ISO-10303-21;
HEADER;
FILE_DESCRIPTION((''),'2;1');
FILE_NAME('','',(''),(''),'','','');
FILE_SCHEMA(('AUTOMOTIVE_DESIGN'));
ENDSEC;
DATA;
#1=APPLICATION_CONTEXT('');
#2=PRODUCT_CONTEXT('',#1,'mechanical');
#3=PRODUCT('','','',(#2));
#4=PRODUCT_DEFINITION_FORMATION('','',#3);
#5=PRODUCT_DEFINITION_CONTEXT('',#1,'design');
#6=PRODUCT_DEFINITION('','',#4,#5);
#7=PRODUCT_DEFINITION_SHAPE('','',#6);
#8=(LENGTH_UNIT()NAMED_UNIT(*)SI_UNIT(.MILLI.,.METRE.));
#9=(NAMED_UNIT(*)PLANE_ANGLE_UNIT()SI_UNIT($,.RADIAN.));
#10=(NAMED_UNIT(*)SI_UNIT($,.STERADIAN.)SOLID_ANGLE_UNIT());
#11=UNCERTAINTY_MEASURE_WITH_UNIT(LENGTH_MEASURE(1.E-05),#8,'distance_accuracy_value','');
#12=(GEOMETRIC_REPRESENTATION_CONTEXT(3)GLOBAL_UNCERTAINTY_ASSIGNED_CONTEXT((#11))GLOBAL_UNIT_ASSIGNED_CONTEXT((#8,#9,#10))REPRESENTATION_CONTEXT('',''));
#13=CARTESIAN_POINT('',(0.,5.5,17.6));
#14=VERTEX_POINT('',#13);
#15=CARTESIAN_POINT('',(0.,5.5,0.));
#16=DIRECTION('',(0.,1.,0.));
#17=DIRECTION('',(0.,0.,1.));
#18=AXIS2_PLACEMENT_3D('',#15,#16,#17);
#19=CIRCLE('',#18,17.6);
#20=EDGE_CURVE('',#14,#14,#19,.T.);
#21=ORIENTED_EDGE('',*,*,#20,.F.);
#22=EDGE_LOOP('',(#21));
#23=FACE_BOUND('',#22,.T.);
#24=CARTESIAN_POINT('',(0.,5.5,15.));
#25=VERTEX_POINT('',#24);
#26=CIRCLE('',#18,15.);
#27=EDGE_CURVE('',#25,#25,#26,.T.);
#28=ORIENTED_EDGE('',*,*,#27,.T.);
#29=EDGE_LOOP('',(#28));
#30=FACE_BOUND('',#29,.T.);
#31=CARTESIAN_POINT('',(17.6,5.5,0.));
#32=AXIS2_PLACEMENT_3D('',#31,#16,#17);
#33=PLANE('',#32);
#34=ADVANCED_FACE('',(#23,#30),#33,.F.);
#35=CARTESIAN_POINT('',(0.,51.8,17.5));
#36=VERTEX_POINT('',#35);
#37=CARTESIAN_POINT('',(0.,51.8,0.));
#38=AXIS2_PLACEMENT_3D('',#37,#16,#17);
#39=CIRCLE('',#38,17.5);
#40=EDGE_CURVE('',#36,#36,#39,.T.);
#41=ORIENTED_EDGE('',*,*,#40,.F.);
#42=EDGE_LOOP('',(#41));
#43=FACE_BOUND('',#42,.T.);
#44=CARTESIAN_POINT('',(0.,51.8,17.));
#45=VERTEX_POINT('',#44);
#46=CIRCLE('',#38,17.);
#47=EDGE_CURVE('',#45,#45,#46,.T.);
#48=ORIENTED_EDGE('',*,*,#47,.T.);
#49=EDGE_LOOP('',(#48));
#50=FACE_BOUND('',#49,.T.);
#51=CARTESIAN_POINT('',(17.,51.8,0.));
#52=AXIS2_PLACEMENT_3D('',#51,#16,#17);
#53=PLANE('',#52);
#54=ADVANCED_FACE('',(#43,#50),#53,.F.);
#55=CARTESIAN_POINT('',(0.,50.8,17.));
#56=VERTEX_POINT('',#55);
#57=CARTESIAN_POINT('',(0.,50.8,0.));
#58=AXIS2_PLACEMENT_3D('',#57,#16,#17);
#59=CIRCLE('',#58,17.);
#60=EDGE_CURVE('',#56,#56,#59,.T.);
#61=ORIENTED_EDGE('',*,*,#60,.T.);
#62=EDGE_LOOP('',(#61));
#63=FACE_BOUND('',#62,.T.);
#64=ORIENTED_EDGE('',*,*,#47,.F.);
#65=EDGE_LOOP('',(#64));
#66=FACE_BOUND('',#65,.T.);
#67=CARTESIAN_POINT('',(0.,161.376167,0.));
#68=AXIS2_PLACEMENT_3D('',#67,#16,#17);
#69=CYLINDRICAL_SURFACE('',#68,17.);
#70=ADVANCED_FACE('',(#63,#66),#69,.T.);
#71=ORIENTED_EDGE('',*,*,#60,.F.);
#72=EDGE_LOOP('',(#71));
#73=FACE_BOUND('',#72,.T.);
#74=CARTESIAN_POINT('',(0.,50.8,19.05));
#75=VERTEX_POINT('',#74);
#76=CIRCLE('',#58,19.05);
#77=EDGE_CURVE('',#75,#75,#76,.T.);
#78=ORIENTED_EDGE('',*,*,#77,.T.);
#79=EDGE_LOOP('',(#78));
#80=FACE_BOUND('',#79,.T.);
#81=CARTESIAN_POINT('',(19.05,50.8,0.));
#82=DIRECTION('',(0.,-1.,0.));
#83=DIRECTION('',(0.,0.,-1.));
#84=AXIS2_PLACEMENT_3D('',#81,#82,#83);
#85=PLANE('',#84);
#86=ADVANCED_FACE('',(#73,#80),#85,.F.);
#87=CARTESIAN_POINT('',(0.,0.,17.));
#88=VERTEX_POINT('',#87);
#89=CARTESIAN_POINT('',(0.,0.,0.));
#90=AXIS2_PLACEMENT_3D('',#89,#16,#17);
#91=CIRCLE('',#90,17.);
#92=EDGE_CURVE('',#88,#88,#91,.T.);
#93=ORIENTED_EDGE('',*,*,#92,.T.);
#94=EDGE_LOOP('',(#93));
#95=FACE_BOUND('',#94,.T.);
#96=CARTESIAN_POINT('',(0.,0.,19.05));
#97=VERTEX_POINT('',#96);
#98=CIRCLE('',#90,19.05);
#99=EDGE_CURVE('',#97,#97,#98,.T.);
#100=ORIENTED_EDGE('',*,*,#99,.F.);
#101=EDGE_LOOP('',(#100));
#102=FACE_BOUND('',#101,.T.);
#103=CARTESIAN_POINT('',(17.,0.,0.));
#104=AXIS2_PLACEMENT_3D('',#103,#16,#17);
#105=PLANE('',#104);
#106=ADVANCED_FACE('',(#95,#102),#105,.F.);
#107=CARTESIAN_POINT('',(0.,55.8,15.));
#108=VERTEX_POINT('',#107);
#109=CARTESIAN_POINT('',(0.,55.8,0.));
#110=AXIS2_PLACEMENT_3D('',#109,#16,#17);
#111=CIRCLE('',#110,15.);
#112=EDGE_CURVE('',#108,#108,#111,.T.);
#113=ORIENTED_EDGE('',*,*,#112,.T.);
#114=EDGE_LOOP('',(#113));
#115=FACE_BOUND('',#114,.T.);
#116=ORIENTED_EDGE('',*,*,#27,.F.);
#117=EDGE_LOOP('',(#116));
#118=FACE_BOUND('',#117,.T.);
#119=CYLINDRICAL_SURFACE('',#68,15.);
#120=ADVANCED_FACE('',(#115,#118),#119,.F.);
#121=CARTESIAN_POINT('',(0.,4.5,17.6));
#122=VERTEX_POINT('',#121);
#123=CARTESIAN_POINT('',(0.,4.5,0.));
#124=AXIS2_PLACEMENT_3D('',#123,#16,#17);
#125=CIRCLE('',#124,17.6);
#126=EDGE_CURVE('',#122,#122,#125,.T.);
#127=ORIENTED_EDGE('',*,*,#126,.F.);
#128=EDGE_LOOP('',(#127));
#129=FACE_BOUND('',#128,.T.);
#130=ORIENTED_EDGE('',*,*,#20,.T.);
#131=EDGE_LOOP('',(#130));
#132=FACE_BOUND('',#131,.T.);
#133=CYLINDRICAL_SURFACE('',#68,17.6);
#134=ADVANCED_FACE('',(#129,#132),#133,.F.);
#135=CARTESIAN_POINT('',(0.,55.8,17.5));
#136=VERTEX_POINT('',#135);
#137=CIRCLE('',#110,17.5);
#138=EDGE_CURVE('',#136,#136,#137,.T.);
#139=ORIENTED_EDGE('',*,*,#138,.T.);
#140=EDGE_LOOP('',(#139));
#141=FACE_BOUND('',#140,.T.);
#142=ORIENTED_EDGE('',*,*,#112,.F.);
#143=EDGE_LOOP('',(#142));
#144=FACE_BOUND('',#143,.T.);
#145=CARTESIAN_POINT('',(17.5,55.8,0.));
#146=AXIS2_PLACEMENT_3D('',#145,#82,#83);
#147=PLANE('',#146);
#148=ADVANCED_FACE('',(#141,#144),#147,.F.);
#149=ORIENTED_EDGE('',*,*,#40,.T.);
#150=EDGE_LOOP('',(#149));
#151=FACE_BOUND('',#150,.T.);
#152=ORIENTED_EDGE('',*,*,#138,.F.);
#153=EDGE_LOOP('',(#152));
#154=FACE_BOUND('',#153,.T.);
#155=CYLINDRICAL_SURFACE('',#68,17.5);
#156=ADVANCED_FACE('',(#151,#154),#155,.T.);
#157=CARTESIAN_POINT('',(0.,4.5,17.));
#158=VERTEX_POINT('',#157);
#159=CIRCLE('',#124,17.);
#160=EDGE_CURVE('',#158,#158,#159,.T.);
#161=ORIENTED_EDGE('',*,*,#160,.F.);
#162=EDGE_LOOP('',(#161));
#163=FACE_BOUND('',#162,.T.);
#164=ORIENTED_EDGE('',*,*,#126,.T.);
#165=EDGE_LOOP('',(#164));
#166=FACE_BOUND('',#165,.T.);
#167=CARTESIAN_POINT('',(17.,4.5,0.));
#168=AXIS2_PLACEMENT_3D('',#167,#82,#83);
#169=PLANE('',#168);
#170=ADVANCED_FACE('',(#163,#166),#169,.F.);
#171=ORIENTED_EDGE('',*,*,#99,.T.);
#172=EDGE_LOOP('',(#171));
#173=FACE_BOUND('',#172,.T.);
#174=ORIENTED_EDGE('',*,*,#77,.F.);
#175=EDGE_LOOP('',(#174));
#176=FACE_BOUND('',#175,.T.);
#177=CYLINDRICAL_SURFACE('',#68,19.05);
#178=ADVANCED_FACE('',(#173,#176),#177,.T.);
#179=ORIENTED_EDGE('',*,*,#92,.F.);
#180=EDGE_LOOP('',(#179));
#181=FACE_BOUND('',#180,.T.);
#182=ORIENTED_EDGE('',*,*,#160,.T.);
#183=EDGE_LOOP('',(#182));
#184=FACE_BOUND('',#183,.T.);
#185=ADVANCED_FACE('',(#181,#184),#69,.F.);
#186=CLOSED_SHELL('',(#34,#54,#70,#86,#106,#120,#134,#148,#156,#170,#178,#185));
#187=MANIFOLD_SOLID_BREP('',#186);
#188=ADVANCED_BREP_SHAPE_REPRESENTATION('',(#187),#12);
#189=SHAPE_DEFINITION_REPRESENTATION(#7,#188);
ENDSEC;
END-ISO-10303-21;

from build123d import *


with BuildPart() as part:
    # 草图1 → 旋转1 (revolve)
    with BuildSketch(Plane.XY, mode=Mode.PRIVATE) as revolve_1_sk:
        Polygon((19.05, 0), (19.05, 50.8), (17, 50.8), (17, 51.8), (17.5, 51.8), (17.5, 55.8), (15, 55.8), (15, 5.5), (17.6, 5.5), (17.6, 4.5), (17, 4.5), (17, 0), align=None)
    revolve(revolve_1_sk.sketch.rotate(Axis((0, 161.376166943, 0), (0, -1, 0)), 90), axis=Axis((0, 161.376166943, 0), (0, -1, 0)))  # turned: the seam where the file's is


solid = part.part
